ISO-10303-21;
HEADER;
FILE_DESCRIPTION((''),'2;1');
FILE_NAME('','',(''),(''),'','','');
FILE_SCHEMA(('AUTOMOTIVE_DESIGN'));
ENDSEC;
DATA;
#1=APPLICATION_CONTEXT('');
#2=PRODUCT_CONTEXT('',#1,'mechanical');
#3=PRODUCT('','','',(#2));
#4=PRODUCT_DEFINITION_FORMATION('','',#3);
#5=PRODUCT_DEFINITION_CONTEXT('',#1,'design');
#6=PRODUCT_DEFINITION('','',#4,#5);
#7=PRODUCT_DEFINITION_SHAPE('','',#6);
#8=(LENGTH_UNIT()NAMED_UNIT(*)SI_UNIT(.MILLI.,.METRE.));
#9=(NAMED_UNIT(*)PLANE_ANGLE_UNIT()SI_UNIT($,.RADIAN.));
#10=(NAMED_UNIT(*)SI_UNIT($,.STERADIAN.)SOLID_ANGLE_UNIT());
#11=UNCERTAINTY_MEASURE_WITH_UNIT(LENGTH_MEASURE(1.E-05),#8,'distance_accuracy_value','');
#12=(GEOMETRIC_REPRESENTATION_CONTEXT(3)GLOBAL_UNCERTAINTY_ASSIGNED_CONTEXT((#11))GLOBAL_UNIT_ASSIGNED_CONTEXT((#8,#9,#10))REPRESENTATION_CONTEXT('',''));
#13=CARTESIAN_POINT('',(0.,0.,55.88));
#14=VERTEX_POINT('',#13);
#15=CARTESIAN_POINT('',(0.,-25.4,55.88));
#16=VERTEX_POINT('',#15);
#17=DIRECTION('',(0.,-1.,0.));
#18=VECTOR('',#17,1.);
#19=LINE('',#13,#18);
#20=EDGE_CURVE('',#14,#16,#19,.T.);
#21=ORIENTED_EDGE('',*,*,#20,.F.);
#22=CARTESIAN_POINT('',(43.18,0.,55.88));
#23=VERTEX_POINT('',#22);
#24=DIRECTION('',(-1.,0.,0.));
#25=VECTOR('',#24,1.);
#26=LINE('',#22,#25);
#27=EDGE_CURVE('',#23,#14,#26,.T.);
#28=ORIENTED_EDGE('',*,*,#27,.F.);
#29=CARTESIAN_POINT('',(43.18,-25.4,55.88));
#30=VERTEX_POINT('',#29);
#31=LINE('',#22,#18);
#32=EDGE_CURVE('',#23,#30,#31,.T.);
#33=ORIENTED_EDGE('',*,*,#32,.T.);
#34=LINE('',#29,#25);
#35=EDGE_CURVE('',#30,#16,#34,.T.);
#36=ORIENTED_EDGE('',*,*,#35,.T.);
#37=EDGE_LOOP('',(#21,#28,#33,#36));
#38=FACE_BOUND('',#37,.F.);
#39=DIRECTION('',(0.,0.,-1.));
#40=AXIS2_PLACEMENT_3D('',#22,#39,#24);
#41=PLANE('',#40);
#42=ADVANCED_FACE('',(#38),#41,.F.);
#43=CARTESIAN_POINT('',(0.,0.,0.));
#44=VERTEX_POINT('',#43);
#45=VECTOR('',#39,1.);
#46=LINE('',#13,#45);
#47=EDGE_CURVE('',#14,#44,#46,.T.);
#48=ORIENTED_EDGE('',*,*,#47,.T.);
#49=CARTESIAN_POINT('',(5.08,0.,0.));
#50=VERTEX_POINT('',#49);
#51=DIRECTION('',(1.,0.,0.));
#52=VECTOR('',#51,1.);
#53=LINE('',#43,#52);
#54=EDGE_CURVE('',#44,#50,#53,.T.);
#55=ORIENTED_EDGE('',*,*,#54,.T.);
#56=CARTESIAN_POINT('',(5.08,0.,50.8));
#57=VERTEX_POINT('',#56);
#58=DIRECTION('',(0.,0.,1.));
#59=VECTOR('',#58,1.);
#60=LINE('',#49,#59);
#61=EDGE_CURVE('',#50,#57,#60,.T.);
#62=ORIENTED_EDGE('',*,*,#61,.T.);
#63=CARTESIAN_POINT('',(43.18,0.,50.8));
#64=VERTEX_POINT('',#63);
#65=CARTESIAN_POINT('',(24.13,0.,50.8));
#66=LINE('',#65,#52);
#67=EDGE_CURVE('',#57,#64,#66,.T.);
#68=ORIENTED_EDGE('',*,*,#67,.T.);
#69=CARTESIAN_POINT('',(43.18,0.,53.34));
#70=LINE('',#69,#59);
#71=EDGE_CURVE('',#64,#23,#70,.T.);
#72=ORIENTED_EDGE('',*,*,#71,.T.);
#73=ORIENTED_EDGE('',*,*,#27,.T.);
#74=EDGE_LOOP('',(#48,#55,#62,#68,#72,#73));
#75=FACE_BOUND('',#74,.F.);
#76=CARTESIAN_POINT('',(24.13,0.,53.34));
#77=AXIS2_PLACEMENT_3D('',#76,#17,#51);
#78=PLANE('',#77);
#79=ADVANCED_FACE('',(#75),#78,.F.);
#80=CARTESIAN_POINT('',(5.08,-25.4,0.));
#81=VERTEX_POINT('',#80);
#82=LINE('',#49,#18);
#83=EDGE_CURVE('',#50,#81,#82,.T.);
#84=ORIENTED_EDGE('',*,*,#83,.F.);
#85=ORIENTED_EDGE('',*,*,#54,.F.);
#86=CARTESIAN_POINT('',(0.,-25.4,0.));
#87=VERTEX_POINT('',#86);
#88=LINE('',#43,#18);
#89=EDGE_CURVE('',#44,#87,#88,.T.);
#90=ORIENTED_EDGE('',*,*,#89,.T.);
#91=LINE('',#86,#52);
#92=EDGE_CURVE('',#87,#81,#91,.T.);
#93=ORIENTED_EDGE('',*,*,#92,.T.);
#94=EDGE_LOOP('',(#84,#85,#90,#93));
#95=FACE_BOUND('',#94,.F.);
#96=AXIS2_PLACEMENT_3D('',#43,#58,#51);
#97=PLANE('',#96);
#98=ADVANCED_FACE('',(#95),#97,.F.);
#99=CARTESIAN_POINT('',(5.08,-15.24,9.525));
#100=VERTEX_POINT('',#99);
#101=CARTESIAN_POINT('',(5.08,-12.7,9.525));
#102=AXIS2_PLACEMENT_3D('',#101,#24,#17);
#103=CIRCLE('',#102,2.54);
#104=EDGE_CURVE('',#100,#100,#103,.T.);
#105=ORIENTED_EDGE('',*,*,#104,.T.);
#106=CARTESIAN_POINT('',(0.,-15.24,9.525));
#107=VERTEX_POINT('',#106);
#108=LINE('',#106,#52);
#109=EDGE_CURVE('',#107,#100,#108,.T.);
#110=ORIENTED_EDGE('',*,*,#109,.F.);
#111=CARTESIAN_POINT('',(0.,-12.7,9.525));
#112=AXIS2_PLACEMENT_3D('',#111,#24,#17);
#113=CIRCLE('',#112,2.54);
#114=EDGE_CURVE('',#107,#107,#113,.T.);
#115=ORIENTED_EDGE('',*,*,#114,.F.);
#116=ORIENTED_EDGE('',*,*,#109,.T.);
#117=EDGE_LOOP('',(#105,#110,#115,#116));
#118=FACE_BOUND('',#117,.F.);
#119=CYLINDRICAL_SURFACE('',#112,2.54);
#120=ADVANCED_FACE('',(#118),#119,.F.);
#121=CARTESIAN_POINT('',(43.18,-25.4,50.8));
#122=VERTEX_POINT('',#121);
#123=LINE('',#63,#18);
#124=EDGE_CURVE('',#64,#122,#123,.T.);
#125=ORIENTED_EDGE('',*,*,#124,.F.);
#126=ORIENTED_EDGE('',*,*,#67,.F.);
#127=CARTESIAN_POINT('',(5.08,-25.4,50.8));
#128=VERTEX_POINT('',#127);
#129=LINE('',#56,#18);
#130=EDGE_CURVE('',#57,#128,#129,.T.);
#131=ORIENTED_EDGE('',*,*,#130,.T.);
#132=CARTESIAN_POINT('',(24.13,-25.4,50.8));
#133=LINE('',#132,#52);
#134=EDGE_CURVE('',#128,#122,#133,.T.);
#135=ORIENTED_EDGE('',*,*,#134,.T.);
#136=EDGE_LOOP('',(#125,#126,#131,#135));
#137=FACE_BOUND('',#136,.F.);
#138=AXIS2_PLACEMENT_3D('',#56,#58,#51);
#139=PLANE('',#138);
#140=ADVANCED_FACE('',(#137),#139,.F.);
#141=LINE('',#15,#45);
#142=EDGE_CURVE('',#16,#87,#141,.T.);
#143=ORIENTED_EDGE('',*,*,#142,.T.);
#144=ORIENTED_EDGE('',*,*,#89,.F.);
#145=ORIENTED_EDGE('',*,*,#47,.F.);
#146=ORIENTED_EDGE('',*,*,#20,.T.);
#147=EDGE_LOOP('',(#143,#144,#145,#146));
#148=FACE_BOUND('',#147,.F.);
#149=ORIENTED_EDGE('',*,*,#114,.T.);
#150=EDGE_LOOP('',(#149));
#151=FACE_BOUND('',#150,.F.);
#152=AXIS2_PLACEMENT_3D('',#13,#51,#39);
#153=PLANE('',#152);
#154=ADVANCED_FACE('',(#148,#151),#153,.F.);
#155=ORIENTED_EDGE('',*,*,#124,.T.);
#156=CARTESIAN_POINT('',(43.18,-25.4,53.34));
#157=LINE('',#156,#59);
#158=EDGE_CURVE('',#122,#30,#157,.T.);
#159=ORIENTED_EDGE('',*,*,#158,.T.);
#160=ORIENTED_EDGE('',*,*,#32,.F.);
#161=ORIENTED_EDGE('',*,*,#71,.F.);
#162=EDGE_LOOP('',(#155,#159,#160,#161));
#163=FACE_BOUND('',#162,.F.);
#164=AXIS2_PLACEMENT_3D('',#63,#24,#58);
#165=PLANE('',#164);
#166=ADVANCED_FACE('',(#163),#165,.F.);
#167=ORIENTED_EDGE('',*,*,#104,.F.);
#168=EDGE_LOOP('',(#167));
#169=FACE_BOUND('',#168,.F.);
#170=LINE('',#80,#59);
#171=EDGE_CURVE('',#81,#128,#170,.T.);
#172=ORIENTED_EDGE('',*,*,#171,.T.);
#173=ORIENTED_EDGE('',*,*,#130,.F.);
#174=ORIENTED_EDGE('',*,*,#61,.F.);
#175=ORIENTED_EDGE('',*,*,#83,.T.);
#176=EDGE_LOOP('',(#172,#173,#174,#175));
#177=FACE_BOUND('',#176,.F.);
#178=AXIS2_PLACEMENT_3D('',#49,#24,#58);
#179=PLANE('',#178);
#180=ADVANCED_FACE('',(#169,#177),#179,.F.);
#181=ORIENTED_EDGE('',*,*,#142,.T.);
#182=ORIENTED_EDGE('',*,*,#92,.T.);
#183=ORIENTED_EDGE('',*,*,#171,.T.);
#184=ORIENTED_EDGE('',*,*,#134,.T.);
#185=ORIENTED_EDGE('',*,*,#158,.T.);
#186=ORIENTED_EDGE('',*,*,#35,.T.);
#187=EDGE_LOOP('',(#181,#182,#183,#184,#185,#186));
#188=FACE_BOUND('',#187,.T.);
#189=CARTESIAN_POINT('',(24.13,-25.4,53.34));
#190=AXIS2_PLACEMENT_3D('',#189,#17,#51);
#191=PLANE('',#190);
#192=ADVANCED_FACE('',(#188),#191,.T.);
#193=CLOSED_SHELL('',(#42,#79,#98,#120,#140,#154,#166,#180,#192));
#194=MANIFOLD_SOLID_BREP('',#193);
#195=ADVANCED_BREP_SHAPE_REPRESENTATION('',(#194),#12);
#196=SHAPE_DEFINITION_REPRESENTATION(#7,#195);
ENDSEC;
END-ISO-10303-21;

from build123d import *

# Parameters (mm, degrees)
F0_W     = 38.1
F0_H     = 5.08
F1_DEPTH = 25.4
F2_R     = 2.54
F3_DEPTH = 25.4


with BuildPart() as f1:
    # F0 (on Front) → F1 (new body)
    with BuildSketch(Plane.XZ):
        with Locations((24.13, 53.34)):
            Rectangle(F0_W, F0_H)
        Polygon((0, 55.88), (0, 0), (5.08, 0), (5.08, 50.8), (5.08, 55.88), align=None)
    extrude(amount=F1_DEPTH)

    # F2 (on face) → F3 (cut)
    with BuildSketch(Plane(origin=(0, 0, 0), x_dir=(0, -1, 0), z_dir=(-1, 0, 0))):
        with Locations((12.7, 9.525)):
            Circle(F2_R)
    extrude(amount=-F3_DEPTH, mode=Mode.SUBTRACT)


solid = f1.part
